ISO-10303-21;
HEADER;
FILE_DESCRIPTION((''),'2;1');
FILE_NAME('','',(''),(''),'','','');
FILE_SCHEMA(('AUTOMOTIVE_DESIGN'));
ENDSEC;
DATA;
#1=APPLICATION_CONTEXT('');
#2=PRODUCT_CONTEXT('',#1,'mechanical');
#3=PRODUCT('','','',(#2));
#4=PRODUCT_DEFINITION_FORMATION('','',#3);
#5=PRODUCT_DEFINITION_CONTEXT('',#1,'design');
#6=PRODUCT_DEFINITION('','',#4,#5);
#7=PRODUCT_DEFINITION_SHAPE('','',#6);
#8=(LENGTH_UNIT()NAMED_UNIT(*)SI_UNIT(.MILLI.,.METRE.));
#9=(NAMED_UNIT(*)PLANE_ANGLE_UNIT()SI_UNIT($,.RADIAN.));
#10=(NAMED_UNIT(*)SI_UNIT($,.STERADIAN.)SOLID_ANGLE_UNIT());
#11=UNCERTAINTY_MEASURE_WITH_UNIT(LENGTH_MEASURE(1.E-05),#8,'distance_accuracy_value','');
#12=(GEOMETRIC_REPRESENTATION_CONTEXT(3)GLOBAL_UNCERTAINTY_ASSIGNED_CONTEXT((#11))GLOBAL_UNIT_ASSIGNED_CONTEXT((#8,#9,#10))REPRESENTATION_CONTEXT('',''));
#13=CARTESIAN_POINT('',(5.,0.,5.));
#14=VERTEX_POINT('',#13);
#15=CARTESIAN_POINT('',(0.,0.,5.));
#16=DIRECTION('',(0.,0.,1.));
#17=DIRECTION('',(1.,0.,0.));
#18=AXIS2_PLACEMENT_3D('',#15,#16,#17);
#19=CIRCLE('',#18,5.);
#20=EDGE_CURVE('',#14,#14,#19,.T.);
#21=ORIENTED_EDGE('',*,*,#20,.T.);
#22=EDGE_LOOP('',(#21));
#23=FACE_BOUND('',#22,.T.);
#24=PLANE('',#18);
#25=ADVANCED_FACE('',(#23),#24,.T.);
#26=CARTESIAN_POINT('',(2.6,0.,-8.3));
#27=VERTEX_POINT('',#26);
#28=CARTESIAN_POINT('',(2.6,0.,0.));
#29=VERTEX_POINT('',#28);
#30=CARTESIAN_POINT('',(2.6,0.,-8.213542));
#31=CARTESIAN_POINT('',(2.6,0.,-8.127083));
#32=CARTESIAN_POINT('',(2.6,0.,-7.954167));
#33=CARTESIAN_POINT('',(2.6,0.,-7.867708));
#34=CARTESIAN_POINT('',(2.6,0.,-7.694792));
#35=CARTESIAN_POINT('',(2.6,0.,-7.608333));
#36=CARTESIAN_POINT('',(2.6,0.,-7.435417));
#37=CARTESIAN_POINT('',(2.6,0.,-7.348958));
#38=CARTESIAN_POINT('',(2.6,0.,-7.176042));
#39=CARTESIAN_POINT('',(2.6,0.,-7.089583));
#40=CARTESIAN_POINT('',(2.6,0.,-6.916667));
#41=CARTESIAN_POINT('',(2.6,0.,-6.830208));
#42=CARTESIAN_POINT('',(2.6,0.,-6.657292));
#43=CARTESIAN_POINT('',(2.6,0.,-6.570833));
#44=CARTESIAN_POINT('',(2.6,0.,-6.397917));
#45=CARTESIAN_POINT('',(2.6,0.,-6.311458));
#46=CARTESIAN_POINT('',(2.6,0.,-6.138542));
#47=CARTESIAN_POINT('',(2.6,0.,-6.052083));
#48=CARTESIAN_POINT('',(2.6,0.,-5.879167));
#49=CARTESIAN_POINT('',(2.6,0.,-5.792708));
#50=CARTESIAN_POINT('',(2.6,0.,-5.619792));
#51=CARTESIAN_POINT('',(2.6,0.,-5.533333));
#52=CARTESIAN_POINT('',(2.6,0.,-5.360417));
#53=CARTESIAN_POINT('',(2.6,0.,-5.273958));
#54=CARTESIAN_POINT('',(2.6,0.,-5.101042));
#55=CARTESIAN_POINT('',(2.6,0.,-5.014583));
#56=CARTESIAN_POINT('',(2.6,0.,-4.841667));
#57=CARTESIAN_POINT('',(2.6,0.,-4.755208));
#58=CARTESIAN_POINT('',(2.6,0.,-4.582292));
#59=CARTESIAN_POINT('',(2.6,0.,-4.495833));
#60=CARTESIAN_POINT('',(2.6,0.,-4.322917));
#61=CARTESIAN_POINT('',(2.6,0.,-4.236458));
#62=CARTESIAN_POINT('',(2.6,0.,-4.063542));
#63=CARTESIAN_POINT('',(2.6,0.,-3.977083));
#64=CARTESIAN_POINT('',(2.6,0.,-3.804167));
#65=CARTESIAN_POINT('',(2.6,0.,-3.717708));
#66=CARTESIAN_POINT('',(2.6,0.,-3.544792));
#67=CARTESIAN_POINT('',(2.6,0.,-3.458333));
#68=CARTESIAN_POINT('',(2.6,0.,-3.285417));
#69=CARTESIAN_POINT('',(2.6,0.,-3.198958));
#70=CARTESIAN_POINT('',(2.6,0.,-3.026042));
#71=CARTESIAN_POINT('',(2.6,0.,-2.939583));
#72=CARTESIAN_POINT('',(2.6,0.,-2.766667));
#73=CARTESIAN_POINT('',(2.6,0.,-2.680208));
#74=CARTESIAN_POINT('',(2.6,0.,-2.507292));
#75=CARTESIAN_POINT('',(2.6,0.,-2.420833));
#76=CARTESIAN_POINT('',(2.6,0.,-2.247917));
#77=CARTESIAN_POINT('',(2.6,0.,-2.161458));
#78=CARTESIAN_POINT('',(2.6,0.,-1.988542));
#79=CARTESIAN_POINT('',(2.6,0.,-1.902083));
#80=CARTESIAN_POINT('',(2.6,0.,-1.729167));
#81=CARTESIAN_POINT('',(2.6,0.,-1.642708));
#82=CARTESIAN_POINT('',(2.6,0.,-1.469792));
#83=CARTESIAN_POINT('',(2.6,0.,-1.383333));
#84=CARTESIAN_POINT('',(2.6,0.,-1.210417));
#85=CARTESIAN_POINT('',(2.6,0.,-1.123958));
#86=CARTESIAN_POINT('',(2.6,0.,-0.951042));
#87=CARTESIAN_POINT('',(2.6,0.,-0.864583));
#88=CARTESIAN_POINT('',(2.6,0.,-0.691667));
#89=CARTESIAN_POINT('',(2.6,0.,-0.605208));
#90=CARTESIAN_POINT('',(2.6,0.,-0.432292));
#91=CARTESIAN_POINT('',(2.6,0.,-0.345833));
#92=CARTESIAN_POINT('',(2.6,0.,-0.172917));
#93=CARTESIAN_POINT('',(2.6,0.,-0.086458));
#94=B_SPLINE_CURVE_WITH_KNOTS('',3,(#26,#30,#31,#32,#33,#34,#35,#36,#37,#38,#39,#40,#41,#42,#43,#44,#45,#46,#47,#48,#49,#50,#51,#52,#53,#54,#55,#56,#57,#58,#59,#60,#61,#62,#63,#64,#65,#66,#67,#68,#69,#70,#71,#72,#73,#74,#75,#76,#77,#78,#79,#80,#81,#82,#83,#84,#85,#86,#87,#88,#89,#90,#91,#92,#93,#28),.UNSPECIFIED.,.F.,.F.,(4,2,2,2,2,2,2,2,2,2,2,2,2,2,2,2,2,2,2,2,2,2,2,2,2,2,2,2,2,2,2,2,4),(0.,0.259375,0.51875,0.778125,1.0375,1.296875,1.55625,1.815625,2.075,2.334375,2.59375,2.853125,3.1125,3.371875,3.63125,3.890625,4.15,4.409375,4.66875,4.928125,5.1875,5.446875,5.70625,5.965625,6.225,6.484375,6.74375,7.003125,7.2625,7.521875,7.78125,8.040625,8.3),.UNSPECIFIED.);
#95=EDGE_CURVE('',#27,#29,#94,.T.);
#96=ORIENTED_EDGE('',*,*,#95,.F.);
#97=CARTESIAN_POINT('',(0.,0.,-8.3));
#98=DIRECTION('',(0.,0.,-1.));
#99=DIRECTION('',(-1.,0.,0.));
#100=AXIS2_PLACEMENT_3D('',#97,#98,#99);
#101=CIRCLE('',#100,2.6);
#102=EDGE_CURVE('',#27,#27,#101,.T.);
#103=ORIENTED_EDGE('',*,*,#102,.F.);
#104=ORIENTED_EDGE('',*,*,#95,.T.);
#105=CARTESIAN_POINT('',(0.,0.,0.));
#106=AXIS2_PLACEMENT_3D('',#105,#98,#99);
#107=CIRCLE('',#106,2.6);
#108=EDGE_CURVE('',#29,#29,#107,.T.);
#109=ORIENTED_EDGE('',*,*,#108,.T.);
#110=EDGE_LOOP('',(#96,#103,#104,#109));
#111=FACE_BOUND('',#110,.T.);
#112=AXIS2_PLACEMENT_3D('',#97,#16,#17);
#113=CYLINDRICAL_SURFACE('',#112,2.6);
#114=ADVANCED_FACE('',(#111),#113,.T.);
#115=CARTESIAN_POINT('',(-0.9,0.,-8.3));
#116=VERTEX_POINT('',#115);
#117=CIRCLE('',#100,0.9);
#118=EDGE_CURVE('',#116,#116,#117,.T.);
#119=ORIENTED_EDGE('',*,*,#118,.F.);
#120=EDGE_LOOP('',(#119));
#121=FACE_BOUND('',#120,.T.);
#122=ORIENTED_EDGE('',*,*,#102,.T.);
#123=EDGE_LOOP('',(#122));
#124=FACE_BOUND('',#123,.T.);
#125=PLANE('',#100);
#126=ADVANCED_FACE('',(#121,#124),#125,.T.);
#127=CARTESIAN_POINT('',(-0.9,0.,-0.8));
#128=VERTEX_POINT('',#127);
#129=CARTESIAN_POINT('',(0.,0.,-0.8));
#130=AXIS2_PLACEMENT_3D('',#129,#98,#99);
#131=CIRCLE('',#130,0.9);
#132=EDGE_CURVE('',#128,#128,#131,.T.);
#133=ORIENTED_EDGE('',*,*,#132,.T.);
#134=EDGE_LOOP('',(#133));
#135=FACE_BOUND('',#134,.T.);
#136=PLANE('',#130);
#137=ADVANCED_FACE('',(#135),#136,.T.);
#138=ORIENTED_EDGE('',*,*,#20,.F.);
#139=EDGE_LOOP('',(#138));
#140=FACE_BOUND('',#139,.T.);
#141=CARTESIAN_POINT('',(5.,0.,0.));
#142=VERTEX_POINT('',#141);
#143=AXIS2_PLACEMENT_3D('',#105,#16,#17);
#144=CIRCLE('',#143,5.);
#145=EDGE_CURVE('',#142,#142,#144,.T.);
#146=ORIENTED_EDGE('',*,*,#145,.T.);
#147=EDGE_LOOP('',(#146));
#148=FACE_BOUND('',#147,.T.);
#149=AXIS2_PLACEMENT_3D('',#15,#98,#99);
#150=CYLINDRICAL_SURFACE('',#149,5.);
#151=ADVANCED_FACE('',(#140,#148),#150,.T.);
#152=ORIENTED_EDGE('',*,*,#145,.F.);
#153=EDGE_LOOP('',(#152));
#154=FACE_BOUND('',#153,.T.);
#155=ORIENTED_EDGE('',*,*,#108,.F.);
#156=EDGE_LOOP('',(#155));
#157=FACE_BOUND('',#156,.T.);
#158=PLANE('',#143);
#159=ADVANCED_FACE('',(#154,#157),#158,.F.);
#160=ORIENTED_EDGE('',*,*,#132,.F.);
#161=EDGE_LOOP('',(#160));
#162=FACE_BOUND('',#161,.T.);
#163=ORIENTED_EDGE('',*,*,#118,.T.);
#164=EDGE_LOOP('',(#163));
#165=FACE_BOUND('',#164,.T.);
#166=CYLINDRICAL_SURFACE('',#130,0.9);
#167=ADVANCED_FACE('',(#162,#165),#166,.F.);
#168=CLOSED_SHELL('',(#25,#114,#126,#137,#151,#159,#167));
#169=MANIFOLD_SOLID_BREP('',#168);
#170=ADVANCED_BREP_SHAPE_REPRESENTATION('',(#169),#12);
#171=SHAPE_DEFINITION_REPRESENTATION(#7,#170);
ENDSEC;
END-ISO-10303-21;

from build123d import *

# Parameters (mm, degrees)
ESQUISSE1_R             = 5
BOSS_EXTRU_1_DEPTH      = 5
ESQUISSE2_R             = 2.6
BOSS_EXTRU_2_DEPTH      = 8.3
ESQUISSE3_R             = 0.9
ENL_V_MAT_EXTRU_1_DEPTH = 7.5


with BuildPart() as part:
    # Esquisse1 → Boss.-Extru.1 (new body)
    with BuildSketch(Plane.XY):
        Circle(ESQUISSE1_R)
    extrude(amount=BOSS_EXTRU_1_DEPTH)

    # Esquisse2 → Boss.-Extru.2 (add)
    with BuildSketch(Plane(origin=(0, 0, 0), x_dir=(-1, 0, 0), z_dir=(0, 0, -1))):
        with Locations(Location((0, 0, 0), (0, 0, 180))):
            Circle(ESQUISSE2_R)
    extrude(amount=BOSS_EXTRU_2_DEPTH)

    # Esquisse3 → Enlèv. mat.-Extru.1 (cut)
    with BuildSketch(Plane(origin=(0, 0, -8.3), x_dir=(-1, 0, 0), z_dir=(0, 0, -1))):
        Circle(ESQUISSE3_R)
    extrude(amount=-ENL_V_MAT_EXTRU_1_DEPTH, mode=Mode.SUBTRACT)


solid = part.part
